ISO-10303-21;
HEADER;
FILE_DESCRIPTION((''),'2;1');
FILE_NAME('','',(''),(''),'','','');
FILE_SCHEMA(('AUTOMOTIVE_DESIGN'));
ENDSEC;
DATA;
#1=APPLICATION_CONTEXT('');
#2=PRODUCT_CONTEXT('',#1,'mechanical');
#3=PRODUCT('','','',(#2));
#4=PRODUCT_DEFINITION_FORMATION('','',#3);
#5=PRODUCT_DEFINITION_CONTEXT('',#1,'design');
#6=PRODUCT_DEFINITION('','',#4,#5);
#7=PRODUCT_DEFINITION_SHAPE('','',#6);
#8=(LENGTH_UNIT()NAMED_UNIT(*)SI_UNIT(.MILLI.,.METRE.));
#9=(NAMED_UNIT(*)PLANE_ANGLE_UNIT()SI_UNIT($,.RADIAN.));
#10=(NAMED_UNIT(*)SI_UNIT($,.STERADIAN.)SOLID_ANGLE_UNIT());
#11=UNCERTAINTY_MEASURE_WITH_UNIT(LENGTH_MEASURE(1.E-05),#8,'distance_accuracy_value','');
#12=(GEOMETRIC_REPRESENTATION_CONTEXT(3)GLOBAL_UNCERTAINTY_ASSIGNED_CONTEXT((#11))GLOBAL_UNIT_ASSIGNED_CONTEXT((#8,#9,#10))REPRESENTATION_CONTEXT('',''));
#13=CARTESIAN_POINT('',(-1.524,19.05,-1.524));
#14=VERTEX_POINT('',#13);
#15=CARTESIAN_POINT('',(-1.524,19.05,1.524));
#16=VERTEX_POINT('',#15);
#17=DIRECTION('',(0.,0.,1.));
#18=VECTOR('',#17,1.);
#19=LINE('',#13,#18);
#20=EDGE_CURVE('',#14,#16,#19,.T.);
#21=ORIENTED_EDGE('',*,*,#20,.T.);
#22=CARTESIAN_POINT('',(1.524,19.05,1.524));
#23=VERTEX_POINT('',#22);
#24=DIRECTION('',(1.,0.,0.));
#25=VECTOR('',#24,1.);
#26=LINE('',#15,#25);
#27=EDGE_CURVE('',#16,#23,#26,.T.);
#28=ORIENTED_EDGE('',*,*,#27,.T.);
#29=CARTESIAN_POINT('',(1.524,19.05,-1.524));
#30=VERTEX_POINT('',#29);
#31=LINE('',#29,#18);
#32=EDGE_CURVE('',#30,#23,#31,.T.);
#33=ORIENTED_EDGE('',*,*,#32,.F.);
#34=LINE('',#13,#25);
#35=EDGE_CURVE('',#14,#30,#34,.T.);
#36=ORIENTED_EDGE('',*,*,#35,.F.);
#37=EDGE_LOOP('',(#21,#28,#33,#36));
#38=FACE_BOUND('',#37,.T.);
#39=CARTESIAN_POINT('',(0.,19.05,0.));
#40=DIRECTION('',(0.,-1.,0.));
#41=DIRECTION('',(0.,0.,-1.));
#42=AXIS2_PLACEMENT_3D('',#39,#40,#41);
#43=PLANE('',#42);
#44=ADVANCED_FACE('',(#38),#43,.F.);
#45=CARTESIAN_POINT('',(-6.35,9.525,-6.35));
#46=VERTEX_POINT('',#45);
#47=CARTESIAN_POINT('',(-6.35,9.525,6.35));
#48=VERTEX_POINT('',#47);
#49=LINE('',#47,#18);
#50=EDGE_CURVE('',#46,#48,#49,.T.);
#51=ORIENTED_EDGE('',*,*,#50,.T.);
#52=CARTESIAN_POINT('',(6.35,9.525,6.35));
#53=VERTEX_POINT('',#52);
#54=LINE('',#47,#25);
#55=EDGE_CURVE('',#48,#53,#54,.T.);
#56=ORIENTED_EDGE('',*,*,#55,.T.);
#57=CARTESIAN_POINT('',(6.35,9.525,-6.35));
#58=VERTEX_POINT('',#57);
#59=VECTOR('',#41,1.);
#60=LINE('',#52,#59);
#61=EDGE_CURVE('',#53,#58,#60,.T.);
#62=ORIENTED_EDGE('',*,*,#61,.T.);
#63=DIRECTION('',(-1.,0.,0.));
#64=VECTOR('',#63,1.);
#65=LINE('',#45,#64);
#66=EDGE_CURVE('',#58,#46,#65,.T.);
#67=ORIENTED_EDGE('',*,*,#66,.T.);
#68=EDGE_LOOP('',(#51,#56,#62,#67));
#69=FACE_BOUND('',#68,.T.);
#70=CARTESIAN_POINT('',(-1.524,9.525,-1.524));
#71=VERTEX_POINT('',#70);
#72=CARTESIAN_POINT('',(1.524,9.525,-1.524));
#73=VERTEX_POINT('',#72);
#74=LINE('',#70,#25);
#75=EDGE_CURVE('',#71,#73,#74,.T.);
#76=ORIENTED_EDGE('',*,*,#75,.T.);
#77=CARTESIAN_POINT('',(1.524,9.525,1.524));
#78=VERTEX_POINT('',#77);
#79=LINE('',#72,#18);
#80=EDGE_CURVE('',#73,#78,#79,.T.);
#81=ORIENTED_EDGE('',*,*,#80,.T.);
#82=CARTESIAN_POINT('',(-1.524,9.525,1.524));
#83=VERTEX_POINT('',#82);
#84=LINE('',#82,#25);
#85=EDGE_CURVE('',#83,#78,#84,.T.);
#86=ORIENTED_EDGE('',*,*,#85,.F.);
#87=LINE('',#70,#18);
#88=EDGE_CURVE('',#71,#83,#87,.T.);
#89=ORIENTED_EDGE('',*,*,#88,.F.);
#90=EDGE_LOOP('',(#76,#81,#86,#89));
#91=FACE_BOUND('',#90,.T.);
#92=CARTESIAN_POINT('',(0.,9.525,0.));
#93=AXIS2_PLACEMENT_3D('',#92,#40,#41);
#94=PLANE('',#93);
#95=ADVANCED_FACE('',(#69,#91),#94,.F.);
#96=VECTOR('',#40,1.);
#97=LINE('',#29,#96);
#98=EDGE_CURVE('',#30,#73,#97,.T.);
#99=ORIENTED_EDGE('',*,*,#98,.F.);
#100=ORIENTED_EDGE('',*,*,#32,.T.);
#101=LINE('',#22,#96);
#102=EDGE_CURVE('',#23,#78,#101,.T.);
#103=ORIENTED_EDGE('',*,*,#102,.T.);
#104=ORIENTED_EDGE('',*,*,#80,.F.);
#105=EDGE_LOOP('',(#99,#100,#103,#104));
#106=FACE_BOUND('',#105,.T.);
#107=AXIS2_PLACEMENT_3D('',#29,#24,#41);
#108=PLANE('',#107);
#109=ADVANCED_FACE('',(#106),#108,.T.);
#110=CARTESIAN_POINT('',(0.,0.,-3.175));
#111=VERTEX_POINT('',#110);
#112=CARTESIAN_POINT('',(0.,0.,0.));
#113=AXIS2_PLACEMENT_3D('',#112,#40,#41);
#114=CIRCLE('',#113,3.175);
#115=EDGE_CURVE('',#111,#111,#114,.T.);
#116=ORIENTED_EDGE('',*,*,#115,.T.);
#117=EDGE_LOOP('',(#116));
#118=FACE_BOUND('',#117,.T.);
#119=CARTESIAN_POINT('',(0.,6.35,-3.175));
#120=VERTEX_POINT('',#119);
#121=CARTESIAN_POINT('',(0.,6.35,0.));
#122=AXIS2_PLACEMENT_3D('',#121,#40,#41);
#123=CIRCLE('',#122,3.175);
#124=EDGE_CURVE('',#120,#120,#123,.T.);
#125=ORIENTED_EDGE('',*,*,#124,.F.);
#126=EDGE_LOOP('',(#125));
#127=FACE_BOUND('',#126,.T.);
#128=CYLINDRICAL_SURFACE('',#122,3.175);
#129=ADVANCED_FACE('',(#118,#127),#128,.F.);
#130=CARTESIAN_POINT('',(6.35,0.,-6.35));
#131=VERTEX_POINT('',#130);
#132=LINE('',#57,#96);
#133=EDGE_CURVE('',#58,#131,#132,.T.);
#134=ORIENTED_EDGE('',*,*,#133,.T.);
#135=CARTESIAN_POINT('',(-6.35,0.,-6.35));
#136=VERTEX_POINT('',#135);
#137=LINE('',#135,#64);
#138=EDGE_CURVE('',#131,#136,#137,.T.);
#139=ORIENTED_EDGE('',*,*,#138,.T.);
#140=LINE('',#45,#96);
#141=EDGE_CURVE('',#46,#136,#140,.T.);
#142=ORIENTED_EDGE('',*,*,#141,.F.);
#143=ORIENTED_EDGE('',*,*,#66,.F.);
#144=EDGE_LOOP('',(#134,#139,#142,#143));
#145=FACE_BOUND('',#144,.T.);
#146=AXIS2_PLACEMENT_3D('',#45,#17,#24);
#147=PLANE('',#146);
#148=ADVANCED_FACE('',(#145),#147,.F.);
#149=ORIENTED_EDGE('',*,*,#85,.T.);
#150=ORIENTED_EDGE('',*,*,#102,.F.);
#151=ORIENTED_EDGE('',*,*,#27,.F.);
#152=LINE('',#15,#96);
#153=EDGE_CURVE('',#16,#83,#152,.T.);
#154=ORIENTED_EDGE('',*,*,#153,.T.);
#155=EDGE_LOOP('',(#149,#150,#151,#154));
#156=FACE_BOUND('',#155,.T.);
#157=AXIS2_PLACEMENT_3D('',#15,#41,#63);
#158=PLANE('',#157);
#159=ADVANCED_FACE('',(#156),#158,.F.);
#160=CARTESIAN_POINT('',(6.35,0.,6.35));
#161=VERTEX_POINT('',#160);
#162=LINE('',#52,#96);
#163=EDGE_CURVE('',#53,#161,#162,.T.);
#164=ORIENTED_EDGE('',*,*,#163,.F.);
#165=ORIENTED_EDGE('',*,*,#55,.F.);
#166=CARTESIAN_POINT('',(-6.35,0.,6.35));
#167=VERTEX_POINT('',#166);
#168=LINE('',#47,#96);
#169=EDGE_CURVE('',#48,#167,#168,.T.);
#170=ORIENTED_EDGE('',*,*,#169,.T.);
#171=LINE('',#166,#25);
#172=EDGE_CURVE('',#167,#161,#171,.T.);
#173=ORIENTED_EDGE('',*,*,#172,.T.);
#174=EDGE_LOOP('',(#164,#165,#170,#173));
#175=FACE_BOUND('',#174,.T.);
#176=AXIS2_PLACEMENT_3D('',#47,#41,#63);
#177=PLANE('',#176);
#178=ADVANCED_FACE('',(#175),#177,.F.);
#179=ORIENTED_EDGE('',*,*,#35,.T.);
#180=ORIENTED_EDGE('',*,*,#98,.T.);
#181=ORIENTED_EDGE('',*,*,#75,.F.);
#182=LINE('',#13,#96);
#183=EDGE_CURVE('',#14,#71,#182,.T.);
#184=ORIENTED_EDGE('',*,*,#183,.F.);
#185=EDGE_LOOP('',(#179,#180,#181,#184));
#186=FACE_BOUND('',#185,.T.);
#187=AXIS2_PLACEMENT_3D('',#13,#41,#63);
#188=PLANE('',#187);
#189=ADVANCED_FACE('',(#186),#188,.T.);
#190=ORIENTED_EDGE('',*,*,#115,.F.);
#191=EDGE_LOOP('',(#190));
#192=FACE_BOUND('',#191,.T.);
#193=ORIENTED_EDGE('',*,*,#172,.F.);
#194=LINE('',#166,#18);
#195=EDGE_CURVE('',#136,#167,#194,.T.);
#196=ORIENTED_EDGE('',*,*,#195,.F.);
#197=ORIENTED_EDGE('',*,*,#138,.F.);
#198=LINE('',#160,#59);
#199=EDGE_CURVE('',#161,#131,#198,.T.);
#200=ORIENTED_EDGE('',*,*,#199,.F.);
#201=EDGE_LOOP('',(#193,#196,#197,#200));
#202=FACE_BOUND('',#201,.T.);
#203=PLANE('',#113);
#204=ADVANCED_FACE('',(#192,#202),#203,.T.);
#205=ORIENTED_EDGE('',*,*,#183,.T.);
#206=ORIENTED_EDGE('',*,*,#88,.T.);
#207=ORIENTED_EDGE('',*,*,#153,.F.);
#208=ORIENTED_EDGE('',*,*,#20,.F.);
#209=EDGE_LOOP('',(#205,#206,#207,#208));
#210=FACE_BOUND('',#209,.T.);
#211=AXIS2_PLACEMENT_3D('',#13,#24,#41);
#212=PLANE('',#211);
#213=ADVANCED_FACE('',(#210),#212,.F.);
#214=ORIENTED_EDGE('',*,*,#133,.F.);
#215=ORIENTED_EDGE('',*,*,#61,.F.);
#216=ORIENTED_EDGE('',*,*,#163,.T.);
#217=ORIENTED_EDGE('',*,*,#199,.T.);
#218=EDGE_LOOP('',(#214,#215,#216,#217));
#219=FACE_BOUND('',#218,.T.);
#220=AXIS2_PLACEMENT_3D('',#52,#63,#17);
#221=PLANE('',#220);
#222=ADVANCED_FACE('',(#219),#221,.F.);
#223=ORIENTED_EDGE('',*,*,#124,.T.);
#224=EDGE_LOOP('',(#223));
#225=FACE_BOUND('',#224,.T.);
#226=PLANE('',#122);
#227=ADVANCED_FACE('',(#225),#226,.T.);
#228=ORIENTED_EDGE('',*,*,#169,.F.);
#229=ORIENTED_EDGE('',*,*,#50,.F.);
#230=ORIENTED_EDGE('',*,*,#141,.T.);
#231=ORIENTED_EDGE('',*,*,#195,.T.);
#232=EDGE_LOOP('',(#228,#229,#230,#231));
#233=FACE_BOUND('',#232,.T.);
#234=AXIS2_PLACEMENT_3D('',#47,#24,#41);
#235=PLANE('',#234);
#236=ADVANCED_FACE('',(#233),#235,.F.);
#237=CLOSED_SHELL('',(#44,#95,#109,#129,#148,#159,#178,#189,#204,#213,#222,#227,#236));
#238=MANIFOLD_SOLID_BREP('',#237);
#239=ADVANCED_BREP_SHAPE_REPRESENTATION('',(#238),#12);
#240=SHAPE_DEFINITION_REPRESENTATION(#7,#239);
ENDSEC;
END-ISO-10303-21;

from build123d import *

# Parameters (mm, degrees)
SKETCH1_W           = 12.7
SKETCH1_H           = 12.7
BOSS_EXTRUDE1_DEPTH = 9.525
SKETCH3_W           = 3.048
SKETCH3_H           = 3.048
BOSS_EXTRUDE2_DEPTH = 9.525
SKETCH4_R           = 3.175
CUT_EXTRUDE1_DEPTH  = 6.35


with BuildPart() as part:
    # Sketch1 → Boss-Extrude1 (new body)
    with BuildSketch(Plane(origin=(0, 0, 0), x_dir=(1, 0, 0), z_dir=(0, 1, 0))):
        Rectangle(SKETCH1_W, SKETCH1_H)
    extrude(amount=BOSS_EXTRUDE1_DEPTH)

    # Sketch3 → Boss-Extrude2 (add)
    with BuildSketch(Plane(origin=(0, 9.525, 0), x_dir=(1, 0, 0), z_dir=(0, 1, 0))):
        Rectangle(SKETCH3_W, SKETCH3_H)
    extrude(amount=BOSS_EXTRUDE2_DEPTH)

    # Sketch4 → Cut-Extrude1 (cut)
    with BuildSketch(Plane.XZ):
        with Locations(Location((0, 0, 0), (0, 0, 270))):
            Circle(SKETCH4_R)
    extrude(amount=-CUT_EXTRUDE1_DEPTH, mode=Mode.SUBTRACT)


solid = part.part
